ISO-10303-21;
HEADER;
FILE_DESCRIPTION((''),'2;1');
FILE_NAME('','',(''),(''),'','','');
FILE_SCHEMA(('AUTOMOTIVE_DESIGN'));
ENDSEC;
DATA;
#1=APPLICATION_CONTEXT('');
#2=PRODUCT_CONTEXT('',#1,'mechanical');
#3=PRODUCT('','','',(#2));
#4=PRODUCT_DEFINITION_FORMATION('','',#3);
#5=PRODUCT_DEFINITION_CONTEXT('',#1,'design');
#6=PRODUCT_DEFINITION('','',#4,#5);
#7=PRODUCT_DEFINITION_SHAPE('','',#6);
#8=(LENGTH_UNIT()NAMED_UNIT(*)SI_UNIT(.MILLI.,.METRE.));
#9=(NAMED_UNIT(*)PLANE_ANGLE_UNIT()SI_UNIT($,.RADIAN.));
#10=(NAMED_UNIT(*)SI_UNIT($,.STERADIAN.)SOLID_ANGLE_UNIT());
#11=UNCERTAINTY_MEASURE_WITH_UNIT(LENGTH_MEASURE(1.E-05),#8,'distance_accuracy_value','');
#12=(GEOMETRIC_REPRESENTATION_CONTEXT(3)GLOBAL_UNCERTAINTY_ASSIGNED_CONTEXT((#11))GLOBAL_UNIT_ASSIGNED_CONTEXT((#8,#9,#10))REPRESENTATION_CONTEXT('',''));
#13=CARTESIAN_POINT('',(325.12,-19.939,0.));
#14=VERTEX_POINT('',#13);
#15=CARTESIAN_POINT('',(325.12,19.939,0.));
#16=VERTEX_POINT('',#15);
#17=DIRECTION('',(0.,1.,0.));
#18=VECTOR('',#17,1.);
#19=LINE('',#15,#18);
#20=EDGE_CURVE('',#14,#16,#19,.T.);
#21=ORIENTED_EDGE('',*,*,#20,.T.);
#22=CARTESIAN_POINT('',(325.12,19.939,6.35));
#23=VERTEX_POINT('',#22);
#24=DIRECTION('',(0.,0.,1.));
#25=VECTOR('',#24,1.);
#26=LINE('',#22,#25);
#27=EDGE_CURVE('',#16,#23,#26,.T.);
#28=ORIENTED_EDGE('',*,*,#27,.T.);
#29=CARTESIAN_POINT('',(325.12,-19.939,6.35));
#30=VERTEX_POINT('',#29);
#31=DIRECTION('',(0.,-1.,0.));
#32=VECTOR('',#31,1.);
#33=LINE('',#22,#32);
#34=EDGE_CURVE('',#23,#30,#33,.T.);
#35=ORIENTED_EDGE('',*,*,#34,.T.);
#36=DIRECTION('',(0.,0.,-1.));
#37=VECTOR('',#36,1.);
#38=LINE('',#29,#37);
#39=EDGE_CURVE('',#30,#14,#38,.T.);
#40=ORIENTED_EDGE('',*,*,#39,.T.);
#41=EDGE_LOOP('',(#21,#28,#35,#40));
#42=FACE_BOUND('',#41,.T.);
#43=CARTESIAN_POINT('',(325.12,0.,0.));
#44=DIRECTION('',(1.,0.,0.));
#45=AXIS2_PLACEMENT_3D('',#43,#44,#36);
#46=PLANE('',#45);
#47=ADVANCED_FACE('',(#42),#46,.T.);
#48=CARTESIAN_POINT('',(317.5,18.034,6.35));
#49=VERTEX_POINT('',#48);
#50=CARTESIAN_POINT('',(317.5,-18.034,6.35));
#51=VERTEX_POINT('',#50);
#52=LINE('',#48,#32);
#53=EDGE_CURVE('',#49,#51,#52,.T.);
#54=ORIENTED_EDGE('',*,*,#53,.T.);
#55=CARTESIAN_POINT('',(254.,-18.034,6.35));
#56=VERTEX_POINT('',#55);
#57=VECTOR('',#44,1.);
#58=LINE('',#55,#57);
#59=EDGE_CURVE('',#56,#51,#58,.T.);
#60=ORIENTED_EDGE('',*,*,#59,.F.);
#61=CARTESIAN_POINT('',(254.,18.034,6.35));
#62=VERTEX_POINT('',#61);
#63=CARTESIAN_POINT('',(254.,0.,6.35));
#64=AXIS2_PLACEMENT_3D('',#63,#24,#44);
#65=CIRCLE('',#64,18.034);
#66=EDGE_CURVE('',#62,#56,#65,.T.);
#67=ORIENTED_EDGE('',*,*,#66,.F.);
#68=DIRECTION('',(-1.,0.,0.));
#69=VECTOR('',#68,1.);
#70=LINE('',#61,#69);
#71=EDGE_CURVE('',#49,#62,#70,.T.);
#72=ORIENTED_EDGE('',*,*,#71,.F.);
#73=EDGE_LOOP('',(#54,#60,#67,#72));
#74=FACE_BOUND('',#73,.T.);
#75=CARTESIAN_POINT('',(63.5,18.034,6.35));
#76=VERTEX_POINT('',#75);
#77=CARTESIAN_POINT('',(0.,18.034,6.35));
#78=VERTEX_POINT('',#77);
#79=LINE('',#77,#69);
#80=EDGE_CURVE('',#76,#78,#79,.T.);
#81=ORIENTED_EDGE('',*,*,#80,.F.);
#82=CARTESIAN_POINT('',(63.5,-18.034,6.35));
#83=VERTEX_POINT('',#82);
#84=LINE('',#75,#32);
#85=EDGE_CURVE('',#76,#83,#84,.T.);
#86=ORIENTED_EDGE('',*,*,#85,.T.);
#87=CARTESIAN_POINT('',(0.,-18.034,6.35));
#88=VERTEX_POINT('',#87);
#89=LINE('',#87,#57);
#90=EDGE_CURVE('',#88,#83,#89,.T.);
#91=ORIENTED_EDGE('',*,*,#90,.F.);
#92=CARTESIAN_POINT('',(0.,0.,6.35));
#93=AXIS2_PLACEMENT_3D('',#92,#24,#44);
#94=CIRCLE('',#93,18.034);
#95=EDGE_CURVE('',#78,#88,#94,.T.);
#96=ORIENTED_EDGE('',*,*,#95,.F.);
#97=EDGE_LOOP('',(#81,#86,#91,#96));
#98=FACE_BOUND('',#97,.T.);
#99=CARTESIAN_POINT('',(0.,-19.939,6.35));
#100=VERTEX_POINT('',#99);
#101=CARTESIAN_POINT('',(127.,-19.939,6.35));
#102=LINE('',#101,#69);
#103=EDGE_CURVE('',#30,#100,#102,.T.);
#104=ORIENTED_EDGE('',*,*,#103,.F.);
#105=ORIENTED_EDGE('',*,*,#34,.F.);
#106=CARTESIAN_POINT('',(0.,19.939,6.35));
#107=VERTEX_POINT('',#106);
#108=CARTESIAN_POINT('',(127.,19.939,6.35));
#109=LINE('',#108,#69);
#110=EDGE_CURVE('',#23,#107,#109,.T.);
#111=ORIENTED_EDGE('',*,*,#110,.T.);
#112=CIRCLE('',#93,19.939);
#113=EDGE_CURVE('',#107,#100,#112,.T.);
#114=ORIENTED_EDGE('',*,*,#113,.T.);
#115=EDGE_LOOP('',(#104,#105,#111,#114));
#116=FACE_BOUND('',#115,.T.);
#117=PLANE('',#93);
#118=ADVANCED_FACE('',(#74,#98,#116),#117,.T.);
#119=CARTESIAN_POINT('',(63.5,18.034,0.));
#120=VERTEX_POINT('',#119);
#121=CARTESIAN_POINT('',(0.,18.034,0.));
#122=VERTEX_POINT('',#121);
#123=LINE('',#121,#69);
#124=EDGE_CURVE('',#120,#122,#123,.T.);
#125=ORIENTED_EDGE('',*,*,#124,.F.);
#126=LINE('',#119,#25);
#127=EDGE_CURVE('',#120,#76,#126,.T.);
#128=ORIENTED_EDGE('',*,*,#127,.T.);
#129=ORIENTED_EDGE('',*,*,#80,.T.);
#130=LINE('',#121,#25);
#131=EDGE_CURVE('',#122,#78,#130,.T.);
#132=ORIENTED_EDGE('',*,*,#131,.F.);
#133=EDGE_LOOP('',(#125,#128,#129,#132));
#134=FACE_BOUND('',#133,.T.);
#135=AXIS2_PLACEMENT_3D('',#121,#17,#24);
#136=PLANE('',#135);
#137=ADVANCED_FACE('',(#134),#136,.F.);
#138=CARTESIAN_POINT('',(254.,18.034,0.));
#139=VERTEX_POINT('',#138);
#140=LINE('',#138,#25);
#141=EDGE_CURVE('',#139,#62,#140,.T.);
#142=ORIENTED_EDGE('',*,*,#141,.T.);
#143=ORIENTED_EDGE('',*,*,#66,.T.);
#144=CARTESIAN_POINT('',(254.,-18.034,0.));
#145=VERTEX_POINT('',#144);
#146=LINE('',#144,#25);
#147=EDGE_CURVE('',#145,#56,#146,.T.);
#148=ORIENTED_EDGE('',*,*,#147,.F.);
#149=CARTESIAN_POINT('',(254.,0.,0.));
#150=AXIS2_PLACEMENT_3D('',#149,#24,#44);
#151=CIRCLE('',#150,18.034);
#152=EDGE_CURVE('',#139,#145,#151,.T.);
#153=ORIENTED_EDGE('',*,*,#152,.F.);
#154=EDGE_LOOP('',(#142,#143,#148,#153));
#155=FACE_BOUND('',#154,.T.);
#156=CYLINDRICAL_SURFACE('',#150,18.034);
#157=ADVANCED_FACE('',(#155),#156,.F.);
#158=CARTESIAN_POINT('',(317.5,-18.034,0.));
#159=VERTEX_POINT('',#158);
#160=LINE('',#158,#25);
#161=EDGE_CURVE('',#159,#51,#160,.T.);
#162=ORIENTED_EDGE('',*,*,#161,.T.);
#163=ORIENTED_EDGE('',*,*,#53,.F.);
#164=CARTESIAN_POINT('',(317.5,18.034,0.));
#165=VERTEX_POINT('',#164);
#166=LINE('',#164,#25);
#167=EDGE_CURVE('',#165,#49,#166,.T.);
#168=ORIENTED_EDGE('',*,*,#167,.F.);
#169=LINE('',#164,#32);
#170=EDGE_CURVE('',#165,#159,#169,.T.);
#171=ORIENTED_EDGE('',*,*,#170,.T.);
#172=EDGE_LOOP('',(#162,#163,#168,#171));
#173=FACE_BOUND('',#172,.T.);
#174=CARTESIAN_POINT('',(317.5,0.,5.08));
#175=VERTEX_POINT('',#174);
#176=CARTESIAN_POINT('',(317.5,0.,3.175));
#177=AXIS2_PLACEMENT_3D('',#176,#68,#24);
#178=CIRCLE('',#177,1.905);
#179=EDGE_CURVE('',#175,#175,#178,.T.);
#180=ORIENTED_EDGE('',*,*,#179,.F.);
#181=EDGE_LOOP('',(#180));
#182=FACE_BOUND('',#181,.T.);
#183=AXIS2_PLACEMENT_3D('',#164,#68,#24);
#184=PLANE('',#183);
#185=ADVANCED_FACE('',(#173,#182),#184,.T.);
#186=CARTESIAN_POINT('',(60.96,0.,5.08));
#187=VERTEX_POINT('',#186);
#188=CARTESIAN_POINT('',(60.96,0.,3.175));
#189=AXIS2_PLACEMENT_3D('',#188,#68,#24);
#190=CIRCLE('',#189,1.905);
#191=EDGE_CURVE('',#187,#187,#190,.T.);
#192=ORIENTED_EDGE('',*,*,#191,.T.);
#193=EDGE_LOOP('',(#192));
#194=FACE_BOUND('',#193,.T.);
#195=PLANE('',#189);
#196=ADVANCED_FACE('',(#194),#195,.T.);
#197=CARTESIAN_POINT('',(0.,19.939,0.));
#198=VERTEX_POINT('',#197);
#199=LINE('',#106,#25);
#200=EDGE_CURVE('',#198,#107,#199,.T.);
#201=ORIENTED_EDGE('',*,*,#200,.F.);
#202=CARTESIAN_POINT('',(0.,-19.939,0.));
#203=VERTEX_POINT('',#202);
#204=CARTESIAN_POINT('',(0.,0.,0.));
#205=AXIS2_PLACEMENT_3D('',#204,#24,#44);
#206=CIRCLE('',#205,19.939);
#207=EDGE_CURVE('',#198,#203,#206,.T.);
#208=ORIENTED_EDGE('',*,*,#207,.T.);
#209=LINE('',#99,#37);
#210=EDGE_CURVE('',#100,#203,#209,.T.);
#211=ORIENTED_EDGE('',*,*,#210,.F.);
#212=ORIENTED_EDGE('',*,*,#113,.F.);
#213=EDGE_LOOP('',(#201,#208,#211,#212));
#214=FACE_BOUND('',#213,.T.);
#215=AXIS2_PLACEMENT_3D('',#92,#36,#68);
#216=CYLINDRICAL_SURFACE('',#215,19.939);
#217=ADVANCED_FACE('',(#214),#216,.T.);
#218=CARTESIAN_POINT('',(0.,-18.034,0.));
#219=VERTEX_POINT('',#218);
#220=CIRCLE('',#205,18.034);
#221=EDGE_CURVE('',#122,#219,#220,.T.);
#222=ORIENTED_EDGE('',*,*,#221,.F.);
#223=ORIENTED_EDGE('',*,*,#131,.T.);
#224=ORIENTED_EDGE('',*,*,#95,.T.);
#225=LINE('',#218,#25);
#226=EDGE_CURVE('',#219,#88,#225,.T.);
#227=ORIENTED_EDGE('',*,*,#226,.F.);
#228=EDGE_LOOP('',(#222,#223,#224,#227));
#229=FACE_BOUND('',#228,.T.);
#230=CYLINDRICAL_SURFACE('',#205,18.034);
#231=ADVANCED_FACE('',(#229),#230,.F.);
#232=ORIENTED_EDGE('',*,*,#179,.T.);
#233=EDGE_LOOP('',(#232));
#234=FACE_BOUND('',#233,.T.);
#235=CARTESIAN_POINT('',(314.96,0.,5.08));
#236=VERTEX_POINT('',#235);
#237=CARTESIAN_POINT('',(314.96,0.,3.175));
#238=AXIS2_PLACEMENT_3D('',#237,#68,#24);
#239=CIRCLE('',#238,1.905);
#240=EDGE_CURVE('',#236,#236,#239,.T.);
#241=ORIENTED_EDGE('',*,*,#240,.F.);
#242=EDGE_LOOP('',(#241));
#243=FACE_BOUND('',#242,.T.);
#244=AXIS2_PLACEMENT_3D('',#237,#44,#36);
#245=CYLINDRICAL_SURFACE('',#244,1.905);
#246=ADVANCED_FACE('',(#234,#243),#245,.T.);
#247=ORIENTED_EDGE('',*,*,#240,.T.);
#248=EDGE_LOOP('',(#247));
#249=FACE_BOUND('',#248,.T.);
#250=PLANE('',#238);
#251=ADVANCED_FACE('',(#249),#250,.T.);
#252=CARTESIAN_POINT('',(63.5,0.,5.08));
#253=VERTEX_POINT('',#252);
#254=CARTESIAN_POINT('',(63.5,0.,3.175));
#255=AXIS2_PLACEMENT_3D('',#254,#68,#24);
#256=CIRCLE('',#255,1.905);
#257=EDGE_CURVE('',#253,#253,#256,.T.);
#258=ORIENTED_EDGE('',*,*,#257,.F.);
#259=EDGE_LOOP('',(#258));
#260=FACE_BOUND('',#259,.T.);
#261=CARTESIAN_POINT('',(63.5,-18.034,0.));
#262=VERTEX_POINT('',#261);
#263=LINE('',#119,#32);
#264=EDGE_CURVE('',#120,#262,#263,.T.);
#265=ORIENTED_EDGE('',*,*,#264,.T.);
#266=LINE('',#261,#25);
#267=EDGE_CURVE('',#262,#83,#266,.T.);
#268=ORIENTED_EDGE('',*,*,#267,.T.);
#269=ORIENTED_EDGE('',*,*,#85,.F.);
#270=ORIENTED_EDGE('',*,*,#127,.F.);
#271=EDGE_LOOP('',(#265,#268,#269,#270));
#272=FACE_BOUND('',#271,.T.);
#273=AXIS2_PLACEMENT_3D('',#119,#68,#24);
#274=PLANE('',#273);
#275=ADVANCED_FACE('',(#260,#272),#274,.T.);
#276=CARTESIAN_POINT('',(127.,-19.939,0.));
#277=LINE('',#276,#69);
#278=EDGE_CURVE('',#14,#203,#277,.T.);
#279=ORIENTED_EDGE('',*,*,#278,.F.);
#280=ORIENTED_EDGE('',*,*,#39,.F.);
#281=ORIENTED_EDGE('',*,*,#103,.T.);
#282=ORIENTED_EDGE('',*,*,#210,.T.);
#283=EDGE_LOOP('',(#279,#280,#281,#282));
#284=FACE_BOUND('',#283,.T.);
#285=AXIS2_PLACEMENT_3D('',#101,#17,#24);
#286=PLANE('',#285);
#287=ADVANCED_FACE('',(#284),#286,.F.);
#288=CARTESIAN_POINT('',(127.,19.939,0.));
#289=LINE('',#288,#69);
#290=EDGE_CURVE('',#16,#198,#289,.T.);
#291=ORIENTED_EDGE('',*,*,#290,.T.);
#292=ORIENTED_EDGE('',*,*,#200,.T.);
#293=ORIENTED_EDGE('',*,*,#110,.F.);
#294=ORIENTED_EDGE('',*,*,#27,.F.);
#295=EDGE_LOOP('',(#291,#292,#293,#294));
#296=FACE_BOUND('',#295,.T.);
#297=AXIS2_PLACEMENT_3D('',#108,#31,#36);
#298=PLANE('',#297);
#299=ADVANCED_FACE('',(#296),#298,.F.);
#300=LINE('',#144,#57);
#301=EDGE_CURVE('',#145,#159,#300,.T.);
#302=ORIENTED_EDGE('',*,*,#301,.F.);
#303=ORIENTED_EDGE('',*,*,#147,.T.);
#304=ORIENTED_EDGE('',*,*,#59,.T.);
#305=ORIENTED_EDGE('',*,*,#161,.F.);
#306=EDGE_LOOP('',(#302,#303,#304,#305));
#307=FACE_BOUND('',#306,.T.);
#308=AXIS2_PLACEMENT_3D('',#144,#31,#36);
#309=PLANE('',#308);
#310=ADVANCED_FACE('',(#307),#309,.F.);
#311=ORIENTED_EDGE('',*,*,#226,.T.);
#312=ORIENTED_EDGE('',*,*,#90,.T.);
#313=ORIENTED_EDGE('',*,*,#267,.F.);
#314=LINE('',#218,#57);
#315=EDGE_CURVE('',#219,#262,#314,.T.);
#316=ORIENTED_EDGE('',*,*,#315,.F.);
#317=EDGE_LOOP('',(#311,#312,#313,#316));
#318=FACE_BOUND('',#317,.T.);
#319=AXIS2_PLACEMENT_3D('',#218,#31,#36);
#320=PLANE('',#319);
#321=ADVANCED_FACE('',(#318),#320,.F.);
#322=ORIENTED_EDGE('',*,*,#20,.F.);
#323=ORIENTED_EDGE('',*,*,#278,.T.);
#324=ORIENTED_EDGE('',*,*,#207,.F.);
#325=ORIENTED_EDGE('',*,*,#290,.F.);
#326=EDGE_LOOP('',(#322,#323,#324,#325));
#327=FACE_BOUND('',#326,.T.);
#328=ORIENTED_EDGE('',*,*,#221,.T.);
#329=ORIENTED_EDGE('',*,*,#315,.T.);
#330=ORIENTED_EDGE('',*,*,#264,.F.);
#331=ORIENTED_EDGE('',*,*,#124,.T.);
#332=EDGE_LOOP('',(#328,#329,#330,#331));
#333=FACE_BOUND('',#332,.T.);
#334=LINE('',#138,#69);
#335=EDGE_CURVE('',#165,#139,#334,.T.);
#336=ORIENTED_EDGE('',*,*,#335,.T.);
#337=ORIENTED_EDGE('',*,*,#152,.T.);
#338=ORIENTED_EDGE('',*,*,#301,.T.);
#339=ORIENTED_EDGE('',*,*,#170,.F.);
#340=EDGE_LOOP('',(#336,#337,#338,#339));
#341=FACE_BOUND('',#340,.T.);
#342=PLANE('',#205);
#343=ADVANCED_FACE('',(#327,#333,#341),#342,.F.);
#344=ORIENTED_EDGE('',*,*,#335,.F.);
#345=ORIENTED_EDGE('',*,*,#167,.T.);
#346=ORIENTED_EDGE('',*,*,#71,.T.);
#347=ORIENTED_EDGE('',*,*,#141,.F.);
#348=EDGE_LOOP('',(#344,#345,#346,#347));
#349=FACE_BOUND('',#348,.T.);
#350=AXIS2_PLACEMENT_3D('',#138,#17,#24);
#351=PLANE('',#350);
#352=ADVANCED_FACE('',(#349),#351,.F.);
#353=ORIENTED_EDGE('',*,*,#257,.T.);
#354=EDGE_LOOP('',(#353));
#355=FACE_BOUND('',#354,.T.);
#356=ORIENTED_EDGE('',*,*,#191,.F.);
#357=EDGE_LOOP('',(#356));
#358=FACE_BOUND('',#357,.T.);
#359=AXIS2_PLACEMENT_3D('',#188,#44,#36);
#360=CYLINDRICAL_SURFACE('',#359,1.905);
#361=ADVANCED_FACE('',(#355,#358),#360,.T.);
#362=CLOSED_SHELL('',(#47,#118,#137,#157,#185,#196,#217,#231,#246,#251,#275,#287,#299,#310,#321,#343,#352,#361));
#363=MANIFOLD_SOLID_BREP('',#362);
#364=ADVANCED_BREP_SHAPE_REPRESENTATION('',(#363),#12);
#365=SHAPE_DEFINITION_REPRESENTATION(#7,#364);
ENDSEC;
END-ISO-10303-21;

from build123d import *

# Parameters (mm, degrees)
SKETCH1_R                = 19.939
CIRCLE_EXTRUDE_DEPTH     = 6.35
SKETCH3_W                = 6.35
SKETCH3_H                = 39.878
RECTANGLE_EXTRUDE_DEPTH  = 127
SKETCH2_R                = 18.034
CIRCLE_CUT_DEPTH         = 129.712416732
SKETCH6_W                = 125.095
SKETCH6_H                = 36.068
RECTANGLE_CUT_DEPTH      = 129.712416732
SKETCH7_W                = 61.595
SKETCH7_H                = 36.068
END_SHAPE_DEPTH          = 6.35
SKETCH8_R                = 1.905
FOR_SPRING_EXTRUDE_DEPTH = 2.54
MIRRORED_PATTERN_COUNT   = 2
MIRRORED_PATTERN_PITCH   = 254
MIDDLE_CONNECTOR_REACH   = 256.861
SKETCH10_W               = 6.35
SKETCH10_H               = 39.878
SKETCH11_W               = 6.35
SKETCH11_H               = 39.878
END_CUT_DEPTH            = 55.88


with BuildPart() as part:
    # Sketch1 → circle extrude (new body)
    with BuildSketch(Plane.XY):
        Circle(SKETCH1_R)
    extrude(amount=CIRCLE_EXTRUDE_DEPTH)

    # Sketch3 → rectangle extrude (add)
    with BuildSketch(Plane(origin=(0, 0, 0), x_dir=(0, 0, -1), z_dir=(1, 0, 0))):
        with Locations((-3.175, 0)):
            Rectangle(SKETCH3_W, SKETCH3_H)
    extrude(amount=RECTANGLE_EXTRUDE_DEPTH)

    # Sketch2 → circle cut (cut, through all)
    with BuildSketch(Plane.XY.offset(6.35)):
        Circle(SKETCH2_R)
    extrude(amount=-CIRCLE_CUT_DEPTH, mode=Mode.SUBTRACT)

    # Sketch6 → rectangle cut (cut, through all)
    with BuildSketch(Plane.XY.offset(6.35)):
        with Locations((62.5475, 0)):
            Rectangle(SKETCH6_W, SKETCH6_H)
    extrude(amount=-RECTANGLE_CUT_DEPTH, mode=Mode.SUBTRACT)

    # Sketch7 → end shape (add)
    with BuildSketch(Plane.XY.offset(6.35)):
        with Locations((94.2975, 0)):
            Rectangle(SKETCH7_W, SKETCH7_H)
    extrude(amount=-END_SHAPE_DEPTH)

    # Sketch8 → for spring extrude (add)
    with BuildSketch(Plane.ZY.offset(-63.5)):
        with Locations((3.175, 0)):
            Circle(SKETCH8_R)
    extrude(amount=FOR_SPRING_EXTRUDE_DEPTH)


with BuildPart() as mirrored_pattern_1:
    # mirrored pattern: pattern copy
    add(part.part.moved(Location(Vector(1, 0, 0) * (1 * MIRRORED_PATTERN_PITCH))))

    # Sketch10 → middle connector (add, up to next)
    with BuildSketch(Plane(origin=(127, 0, 0), x_dir=(0, 0, -1), z_dir=(1, 0, 0)), mode=Mode.PRIVATE) as middle_connector_sk1:
        with Locations((-3.175, 0)):
            Rectangle(SKETCH10_W, SKETCH10_H)
    middle_connector_tool1 = extrude(middle_connector_sk1.sketch, amount=MIDDLE_CONNECTOR_REACH, mode=Mode.PRIVATE) - mirrored_pattern_1.part

    add(part.part)  # middle connector merges part
    add(middle_connector_tool1.solids().sort_by_distance((127, 0, 3.175))[0])

    # Sketch11 → end cut (cut)
    with BuildSketch(Plane(origin=(381, 0, 0), x_dir=(0, 0, -1), z_dir=(1, 0, 0))):
        with Locations((-3.175, 0)):
            Rectangle(SKETCH11_W, SKETCH11_H)
    extrude(amount=-END_CUT_DEPTH, mode=Mode.SUBTRACT)


solid = mirrored_pattern_1.part
